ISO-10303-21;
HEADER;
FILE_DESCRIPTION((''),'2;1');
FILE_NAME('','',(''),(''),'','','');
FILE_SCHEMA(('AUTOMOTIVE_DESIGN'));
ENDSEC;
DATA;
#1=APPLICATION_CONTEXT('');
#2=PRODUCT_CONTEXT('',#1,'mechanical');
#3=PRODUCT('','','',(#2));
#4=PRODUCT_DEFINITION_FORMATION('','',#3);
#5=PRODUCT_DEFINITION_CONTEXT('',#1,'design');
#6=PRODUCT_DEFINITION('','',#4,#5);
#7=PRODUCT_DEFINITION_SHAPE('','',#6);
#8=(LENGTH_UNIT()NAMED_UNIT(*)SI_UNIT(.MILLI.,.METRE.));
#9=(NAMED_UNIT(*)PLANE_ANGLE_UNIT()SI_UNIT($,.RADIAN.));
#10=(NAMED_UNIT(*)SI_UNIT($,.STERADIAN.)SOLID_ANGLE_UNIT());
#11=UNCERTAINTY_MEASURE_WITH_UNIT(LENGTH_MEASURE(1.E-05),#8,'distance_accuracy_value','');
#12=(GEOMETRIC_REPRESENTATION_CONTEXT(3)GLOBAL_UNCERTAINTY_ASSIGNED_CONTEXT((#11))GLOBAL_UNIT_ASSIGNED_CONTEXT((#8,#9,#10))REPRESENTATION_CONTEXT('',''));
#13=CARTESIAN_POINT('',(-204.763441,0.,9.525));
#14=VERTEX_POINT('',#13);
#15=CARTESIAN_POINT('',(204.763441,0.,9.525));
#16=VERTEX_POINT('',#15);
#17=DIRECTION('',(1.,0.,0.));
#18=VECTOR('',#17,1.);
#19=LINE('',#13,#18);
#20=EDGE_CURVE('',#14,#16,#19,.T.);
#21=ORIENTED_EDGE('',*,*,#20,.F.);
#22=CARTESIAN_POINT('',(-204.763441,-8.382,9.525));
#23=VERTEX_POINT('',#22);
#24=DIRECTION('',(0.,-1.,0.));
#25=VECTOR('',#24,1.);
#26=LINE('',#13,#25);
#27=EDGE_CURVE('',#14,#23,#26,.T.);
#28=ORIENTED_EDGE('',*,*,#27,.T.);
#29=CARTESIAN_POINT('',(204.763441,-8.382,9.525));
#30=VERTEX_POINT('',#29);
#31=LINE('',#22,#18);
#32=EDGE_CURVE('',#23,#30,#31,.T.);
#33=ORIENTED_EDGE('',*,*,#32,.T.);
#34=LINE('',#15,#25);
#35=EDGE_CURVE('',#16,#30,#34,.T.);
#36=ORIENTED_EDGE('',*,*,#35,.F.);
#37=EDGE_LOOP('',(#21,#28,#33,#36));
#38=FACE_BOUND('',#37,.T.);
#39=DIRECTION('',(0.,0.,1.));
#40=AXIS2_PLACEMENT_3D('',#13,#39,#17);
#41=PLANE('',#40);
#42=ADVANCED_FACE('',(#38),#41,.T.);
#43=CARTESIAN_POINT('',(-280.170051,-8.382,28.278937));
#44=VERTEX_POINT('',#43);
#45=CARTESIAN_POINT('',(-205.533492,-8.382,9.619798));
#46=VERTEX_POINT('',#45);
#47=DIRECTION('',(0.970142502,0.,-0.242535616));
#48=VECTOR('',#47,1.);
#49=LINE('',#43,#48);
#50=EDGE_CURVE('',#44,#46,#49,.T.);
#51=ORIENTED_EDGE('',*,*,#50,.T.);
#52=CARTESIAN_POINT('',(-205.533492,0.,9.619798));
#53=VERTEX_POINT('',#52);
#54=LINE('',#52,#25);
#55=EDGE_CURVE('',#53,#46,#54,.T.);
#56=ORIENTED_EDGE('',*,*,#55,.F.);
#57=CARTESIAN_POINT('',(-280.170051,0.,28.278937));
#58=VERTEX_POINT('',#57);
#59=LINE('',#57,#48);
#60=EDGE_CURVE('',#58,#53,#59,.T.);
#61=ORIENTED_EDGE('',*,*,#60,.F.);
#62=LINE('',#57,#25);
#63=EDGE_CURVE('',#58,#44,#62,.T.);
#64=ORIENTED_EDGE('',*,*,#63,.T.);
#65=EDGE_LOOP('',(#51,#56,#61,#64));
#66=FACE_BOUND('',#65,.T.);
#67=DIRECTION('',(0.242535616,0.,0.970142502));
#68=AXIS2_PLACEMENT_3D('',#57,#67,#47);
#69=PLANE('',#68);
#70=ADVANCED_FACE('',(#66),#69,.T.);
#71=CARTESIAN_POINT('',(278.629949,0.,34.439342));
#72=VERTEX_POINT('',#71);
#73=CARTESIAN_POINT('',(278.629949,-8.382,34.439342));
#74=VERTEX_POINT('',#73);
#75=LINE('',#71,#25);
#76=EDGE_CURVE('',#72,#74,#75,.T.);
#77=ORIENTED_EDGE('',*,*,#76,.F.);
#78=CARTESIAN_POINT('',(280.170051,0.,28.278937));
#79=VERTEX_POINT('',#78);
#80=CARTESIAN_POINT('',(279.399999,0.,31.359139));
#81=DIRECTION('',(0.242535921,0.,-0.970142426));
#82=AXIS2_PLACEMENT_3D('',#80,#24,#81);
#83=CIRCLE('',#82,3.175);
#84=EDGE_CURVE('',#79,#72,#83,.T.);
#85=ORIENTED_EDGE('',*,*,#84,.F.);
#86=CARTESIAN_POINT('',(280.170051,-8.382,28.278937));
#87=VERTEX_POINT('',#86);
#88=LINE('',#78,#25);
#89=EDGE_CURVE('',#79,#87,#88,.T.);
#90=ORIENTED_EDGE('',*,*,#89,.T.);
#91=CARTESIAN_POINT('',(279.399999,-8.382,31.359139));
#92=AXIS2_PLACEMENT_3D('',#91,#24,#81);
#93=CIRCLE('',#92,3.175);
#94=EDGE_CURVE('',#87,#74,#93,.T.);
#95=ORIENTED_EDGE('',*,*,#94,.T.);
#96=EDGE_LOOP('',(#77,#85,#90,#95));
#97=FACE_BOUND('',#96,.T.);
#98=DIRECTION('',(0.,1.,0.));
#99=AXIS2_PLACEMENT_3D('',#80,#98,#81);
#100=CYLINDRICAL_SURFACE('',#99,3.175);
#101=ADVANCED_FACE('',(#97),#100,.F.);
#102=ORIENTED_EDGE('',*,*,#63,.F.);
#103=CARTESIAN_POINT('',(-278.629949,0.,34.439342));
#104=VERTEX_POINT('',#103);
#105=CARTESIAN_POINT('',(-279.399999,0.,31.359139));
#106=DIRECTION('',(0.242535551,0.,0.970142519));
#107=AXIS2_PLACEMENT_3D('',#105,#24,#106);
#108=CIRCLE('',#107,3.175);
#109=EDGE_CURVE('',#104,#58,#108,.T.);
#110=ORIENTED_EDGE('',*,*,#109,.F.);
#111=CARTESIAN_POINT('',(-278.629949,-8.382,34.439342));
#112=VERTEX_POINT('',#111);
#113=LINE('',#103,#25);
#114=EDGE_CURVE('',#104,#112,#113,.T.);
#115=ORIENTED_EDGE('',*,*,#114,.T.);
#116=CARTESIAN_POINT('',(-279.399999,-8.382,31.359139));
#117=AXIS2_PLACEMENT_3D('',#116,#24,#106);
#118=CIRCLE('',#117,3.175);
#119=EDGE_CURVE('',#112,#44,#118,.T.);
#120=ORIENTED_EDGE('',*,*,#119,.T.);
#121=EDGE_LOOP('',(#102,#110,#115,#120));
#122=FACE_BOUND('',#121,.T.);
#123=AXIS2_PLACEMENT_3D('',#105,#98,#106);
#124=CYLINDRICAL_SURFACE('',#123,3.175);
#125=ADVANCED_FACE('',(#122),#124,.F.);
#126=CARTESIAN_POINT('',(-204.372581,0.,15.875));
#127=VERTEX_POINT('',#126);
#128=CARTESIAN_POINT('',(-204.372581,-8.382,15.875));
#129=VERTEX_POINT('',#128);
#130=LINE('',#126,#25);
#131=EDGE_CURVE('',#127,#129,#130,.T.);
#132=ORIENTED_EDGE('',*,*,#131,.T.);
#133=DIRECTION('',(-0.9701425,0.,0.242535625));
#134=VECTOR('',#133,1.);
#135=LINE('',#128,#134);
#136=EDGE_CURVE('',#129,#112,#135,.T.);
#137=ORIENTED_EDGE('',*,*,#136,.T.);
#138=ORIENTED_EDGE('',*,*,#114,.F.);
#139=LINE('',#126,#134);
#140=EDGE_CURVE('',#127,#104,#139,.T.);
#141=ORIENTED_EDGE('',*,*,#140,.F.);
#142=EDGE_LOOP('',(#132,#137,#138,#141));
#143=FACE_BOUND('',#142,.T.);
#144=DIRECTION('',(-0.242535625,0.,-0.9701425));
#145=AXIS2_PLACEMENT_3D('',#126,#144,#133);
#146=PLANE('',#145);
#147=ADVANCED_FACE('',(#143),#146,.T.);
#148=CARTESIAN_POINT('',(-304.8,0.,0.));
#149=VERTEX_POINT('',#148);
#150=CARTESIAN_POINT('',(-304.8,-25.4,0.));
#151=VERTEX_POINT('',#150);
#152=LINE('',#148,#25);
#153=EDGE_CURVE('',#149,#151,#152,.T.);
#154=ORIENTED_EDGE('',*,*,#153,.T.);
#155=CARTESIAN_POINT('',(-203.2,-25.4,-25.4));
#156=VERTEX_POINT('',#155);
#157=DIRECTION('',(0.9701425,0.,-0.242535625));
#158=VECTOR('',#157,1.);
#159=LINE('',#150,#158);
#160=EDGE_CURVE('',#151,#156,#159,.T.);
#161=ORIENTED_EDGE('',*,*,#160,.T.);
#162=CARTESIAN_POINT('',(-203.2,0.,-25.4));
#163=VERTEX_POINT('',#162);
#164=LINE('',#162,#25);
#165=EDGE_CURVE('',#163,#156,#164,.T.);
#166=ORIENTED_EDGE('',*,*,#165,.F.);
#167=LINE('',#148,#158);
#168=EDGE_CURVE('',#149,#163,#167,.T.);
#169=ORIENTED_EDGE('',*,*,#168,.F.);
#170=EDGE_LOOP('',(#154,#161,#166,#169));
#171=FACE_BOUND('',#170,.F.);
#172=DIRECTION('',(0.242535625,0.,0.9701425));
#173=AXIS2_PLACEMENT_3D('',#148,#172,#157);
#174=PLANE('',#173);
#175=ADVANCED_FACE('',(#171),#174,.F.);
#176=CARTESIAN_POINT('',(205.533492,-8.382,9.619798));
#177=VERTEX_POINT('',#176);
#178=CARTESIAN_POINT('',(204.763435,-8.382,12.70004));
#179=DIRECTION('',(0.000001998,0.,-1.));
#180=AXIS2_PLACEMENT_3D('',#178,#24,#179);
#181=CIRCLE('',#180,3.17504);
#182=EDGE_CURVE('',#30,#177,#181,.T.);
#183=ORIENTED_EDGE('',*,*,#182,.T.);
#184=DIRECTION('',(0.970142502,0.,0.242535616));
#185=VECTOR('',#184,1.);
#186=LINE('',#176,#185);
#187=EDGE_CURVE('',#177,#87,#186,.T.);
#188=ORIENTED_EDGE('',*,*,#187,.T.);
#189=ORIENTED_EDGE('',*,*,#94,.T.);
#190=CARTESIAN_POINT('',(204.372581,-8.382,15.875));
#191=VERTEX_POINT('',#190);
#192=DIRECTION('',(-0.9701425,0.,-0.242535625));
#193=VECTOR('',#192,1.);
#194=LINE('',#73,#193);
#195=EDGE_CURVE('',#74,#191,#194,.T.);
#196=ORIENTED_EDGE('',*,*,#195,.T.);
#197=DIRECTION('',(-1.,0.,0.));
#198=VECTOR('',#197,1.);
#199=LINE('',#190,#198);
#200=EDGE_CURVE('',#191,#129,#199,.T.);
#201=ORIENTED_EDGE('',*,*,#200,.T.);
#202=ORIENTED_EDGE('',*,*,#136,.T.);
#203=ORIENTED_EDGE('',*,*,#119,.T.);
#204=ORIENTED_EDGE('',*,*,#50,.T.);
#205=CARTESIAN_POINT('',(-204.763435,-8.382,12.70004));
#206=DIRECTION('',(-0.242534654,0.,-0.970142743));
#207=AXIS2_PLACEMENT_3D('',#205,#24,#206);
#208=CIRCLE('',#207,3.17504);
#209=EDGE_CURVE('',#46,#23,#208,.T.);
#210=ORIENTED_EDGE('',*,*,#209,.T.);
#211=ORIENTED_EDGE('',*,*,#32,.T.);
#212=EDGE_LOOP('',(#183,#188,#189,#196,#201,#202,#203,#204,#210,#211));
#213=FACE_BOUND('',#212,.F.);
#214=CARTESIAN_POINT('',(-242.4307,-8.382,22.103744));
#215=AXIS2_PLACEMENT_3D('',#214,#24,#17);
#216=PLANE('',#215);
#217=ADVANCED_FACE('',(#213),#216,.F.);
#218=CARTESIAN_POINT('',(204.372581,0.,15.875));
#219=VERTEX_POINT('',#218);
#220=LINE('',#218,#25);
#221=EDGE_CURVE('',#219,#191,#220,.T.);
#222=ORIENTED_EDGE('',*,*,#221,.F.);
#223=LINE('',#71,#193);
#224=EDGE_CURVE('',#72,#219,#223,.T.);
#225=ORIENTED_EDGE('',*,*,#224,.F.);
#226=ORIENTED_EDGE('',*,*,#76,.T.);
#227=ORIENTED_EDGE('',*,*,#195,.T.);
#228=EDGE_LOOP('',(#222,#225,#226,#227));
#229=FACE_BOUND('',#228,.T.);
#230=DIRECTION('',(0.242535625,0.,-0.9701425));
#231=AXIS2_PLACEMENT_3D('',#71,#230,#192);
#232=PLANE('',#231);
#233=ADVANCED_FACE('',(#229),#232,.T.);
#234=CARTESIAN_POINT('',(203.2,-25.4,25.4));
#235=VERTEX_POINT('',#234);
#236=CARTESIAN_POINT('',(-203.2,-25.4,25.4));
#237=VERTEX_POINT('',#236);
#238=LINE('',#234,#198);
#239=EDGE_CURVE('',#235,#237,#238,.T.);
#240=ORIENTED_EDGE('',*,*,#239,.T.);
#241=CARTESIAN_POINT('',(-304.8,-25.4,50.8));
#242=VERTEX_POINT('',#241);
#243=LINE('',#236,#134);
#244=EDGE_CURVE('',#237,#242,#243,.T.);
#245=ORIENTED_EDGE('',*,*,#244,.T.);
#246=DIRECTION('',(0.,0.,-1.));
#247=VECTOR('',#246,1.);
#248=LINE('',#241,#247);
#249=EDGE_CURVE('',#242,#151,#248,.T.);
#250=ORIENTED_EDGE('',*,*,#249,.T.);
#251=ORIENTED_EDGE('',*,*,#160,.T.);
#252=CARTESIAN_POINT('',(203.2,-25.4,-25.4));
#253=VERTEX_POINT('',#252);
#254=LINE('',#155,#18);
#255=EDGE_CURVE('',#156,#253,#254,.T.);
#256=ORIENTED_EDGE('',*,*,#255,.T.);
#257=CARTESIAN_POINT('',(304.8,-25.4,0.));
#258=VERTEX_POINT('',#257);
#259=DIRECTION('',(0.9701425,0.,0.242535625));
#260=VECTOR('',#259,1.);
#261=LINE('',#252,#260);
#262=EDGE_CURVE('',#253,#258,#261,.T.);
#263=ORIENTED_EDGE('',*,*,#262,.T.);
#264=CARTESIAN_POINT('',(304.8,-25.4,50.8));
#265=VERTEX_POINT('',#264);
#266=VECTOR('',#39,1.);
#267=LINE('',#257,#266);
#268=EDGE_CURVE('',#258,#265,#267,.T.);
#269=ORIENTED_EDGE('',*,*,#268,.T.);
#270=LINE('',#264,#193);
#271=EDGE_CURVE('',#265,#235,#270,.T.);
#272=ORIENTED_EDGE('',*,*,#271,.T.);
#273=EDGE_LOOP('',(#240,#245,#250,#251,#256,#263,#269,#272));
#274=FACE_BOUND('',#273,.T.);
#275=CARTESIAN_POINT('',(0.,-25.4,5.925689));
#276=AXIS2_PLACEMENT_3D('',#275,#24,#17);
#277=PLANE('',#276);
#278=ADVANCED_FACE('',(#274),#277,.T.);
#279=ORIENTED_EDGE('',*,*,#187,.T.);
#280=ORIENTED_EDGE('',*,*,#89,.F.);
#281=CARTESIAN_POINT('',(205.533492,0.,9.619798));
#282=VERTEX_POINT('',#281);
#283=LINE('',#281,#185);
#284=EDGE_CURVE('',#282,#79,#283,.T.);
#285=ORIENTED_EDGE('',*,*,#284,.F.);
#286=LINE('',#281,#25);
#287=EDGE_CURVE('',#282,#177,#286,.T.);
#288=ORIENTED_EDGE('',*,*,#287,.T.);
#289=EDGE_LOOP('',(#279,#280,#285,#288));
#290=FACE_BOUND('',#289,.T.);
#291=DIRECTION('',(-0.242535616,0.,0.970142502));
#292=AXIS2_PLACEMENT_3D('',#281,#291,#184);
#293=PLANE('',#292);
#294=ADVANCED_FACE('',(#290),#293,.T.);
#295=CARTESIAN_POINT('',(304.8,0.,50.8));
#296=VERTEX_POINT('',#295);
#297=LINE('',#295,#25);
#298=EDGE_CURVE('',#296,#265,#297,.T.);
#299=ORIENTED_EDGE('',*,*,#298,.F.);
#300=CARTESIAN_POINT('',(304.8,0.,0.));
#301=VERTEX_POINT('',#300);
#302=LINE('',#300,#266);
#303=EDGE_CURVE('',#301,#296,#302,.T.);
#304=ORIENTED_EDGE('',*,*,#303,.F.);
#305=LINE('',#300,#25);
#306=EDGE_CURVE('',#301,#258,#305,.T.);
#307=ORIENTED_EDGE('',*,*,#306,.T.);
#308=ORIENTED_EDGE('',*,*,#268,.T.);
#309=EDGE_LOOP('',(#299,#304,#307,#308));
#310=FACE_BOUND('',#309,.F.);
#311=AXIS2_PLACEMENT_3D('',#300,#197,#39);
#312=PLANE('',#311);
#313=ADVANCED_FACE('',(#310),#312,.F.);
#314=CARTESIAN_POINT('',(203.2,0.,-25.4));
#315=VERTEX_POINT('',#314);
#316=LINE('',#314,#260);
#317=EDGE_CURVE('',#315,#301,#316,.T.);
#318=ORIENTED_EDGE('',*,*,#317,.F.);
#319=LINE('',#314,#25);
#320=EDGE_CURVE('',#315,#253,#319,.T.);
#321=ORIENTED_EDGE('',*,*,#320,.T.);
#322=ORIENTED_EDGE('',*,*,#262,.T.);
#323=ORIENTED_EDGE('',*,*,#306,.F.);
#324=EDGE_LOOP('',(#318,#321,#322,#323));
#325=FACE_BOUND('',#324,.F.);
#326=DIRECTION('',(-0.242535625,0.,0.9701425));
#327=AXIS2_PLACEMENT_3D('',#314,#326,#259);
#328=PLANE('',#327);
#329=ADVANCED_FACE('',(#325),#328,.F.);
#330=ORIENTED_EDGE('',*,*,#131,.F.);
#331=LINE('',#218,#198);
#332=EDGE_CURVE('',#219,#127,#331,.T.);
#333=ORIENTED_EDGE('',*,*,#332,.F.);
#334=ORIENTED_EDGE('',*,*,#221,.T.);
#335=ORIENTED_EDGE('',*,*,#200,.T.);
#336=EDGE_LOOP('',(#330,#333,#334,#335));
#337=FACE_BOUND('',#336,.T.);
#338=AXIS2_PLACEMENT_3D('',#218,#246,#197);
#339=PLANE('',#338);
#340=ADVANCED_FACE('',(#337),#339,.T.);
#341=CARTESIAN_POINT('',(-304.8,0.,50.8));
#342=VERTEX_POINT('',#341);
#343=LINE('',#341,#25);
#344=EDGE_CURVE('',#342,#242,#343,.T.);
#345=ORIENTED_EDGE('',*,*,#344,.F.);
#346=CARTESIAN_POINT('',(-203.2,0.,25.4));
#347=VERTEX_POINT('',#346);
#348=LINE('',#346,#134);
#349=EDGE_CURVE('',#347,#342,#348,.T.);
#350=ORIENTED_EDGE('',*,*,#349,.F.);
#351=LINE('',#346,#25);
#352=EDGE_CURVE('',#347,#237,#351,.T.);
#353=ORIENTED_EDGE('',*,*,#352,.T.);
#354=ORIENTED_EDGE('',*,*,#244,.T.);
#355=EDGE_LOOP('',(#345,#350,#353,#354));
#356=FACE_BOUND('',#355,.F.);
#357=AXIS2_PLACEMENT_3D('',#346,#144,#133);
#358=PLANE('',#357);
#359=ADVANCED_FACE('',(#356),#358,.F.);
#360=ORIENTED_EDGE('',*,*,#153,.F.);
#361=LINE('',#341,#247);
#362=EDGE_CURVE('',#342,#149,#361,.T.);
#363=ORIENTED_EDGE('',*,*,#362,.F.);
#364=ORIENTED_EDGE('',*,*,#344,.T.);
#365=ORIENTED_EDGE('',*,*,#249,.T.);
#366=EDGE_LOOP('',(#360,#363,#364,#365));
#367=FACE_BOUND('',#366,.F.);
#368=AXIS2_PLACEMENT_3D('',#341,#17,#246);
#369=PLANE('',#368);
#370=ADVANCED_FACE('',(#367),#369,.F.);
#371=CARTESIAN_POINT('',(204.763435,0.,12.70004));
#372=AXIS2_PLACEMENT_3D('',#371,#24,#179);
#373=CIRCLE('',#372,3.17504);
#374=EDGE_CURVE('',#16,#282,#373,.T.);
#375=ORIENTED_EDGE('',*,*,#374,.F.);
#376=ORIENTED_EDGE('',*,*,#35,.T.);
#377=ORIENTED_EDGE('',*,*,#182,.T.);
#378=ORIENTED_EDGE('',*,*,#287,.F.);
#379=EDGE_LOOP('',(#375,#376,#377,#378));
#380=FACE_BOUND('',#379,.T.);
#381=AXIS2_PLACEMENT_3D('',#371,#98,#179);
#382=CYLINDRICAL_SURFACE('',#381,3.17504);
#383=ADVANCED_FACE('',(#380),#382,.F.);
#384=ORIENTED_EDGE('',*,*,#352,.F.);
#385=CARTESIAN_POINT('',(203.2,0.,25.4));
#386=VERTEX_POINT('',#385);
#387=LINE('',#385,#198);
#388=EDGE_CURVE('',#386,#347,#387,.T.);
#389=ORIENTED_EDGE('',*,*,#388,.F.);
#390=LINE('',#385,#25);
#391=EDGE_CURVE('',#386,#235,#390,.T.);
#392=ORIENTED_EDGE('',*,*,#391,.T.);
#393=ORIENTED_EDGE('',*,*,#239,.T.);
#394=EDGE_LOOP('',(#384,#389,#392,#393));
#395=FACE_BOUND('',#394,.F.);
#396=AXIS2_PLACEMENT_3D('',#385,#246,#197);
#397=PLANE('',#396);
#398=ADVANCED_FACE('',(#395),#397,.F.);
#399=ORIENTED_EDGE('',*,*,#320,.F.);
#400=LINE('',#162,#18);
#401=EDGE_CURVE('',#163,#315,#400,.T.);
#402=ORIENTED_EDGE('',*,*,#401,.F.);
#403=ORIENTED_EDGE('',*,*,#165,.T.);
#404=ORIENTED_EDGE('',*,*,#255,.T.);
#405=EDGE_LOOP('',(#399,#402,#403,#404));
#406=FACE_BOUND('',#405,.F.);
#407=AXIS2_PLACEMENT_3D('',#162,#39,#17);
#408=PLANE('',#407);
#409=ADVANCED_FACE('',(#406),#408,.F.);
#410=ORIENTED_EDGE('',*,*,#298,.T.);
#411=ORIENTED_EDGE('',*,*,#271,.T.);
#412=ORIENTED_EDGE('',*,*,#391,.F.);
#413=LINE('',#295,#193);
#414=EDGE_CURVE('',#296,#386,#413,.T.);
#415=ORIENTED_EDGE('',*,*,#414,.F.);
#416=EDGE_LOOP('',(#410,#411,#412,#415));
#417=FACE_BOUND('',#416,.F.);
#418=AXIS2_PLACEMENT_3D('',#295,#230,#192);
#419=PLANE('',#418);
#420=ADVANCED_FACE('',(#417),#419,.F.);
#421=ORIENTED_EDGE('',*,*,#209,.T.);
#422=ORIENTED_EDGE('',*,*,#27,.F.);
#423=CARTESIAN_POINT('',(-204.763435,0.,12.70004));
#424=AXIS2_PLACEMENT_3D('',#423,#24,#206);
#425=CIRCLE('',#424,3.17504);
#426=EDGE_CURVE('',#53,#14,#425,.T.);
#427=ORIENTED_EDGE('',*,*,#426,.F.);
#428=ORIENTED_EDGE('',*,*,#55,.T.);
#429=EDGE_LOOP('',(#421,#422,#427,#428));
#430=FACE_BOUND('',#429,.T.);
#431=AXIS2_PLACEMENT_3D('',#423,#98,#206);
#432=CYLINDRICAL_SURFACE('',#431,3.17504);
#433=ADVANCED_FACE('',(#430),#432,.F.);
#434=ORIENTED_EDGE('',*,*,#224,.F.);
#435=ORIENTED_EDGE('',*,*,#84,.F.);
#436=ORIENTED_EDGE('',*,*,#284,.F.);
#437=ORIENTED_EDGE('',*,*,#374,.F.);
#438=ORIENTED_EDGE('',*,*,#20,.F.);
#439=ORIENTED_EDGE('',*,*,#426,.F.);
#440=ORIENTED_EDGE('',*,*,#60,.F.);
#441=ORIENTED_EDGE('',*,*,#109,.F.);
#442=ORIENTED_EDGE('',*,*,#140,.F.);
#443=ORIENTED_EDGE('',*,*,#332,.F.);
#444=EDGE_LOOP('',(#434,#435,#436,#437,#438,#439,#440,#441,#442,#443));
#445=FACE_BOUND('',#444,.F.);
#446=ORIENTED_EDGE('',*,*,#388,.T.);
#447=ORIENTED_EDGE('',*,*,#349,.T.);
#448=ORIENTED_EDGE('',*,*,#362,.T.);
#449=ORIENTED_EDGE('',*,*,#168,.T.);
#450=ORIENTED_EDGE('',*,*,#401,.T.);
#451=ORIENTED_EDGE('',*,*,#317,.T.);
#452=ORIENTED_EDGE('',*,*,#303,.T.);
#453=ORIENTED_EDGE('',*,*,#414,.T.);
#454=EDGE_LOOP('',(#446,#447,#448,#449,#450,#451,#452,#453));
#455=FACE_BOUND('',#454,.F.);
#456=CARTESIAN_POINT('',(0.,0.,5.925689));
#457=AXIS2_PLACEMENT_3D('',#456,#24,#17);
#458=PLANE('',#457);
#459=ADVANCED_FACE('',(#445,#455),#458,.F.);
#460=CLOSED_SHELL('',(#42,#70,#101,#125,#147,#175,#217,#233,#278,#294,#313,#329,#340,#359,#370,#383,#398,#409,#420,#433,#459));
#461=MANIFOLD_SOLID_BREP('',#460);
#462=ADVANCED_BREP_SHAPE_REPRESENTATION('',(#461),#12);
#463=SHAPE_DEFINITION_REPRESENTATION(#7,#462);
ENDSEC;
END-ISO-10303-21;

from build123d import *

# Parameters (mm, degrees)
F1_DEPTH = 25.4
F2_DEPTH = 8.382


with BuildPart() as f1:
    # F0 (on Front) → F1 (new body)
    with BuildSketch(Plane.XZ):
        Polygon((304.8, 0), (304.8, 50.8), (203.2, 25.4), (-203.2, 25.4), (-304.8, 50.8), (-304.8, 0), (-203.2, -25.4), (203.2, -25.4), align=None)
        with BuildLine():
            Line((280.170051, 28.278937), (205.533492, 9.619798))
            ThreePointArc((205.533492, 9.619798), (205.151373, 9.548789), (204.763441, 9.525))
            Line((204.763441, 9.525), (-204.763441, 9.525))
            ThreePointArc((-204.763441, 9.525), (-205.151373, 9.548789), (-205.533492, 9.619798))
            Line((-205.533492, 9.619798), (-280.170051, 28.278937))
            ThreePointArc((-280.170051, 28.278937), (-282.480202, 32.12919), (-278.629949, 34.439342))
            Line((-278.629949, 34.439342), (-204.372581, 15.875))
            Line((-204.372581, 15.875), (204.372581, 15.875))
            Line((204.372581, 15.875), (278.629949, 34.439342))
            ThreePointArc((278.629949, 34.439342), (282.480202, 32.12919), (280.170051, 28.278937))
        make_face(mode=Mode.SUBTRACT)
        with BuildLine():
            Line((-280.170051, 28.278937), (-205.533492, 9.619798))
            ThreePointArc((-205.533492, 9.619798), (-207.914653, 13.087932), (-204.763441, 15.875))
            Line((-204.763441, 15.875), (-204.372581, 15.875))
            Line((-204.372581, 15.875), (-278.629949, 34.439342))
            ThreePointArc((-278.629949, 34.439342), (-282.480202, 32.12919), (-280.170051, 28.278937))
        make_face()
        with BuildLine():
            Line((-204.763441, 9.525), (204.763441, 9.525))
            ThreePointArc((204.763441, 9.525), (201.61223, 12.312068), (203.993391, 15.780202))
            Line((203.993391, 15.780202), (204.372581, 15.875))
            Line((204.372581, 15.875), (-204.372581, 15.875))
            Line((-204.372581, 15.875), (-203.993391, 15.780202))
            ThreePointArc((-203.993391, 15.780202), (-201.61223, 12.312068), (-204.763441, 9.525))
        make_face()
        with BuildLine():
            ThreePointArc((204.763441, 15.875), (207.914653, 13.087932), (205.533492, 9.619798))
            Line((205.533492, 9.619798), (280.170051, 28.278937))
            ThreePointArc((280.170051, 28.278937), (282.480202, 32.12919), (278.629949, 34.439342))
            Line((278.629949, 34.439342), (204.372581, 15.875))
            Line((204.372581, 15.875), (204.763441, 15.875))
        make_face()
        with BuildLine():
            ThreePointArc((204.763441, 9.525), (205.151373, 9.548789), (205.533492, 9.619798))
            ThreePointArc((205.533492, 9.619798), (207.914653, 13.087932), (204.763441, 15.875))
            Line((204.763441, 15.875), (204.372581, 15.875))
            Line((204.372581, 15.875), (203.993391, 15.780202))
            ThreePointArc((203.993391, 15.780202), (201.61223, 12.312068), (204.763441, 9.525))
        make_face()
        with BuildLine():
            ThreePointArc((-205.533492, 9.619798), (-205.151373, 9.548789), (-204.763441, 9.525))
            ThreePointArc((-204.763441, 9.525), (-201.61223, 12.312068), (-203.993391, 15.780202))
            Line((-203.993391, 15.780202), (-204.372581, 15.875))
            Line((-204.372581, 15.875), (-204.763441, 15.875))
            ThreePointArc((-204.763441, 15.875), (-207.914653, 13.087932), (-205.533492, 9.619798))
        make_face()
    extrude(amount=F1_DEPTH)

    # F0 (on Front) → F2 (cut)
    with BuildSketch(Plane.XZ):
        with BuildLine():
            Line((-280.170051, 28.278937), (-205.533492, 9.619798))
            ThreePointArc((-205.533492, 9.619798), (-207.914653, 13.087932), (-204.763441, 15.875))
            Line((-204.763441, 15.875), (-204.372581, 15.875))
            Line((-204.372581, 15.875), (-278.629949, 34.439342))
            ThreePointArc((-278.629949, 34.439342), (-282.480202, 32.12919), (-280.170051, 28.278937))
        make_face()
        with BuildLine():
            Line((-204.763441, 9.525), (204.763441, 9.525))
            ThreePointArc((204.763441, 9.525), (201.61223, 12.312068), (203.993391, 15.780202))
            Line((203.993391, 15.780202), (204.372581, 15.875))
            Line((204.372581, 15.875), (-204.372581, 15.875))
            Line((-204.372581, 15.875), (-203.993391, 15.780202))
            ThreePointArc((-203.993391, 15.780202), (-201.61223, 12.312068), (-204.763441, 9.525))
        make_face()
        with BuildLine():
            ThreePointArc((204.763441, 15.875), (207.914653, 13.087932), (205.533492, 9.619798))
            Line((205.533492, 9.619798), (280.170051, 28.278937))
            ThreePointArc((280.170051, 28.278937), (282.480202, 32.12919), (278.629949, 34.439342))
            Line((278.629949, 34.439342), (204.372581, 15.875))
            Line((204.372581, 15.875), (204.763441, 15.875))
        make_face()
        with BuildLine():
            ThreePointArc((204.763441, 9.525), (205.151373, 9.548789), (205.533492, 9.619798))
            ThreePointArc((205.533492, 9.619798), (207.914653, 13.087932), (204.763441, 15.875))
            Line((204.763441, 15.875), (204.372581, 15.875))
            Line((204.372581, 15.875), (203.993391, 15.780202))
            ThreePointArc((203.993391, 15.780202), (201.61223, 12.312068), (204.763441, 9.525))
        make_face()
        with BuildLine():
            ThreePointArc((-205.533492, 9.619798), (-205.151373, 9.548789), (-204.763441, 9.525))
            ThreePointArc((-204.763441, 9.525), (-201.61223, 12.312068), (-203.993391, 15.780202))
            Line((-203.993391, 15.780202), (-204.372581, 15.875))
            Line((-204.372581, 15.875), (-204.763441, 15.875))
            ThreePointArc((-204.763441, 15.875), (-207.914653, 13.087932), (-205.533492, 9.619798))
        make_face()
    extrude(amount=F2_DEPTH, mode=Mode.SUBTRACT)


solid = f1.part
